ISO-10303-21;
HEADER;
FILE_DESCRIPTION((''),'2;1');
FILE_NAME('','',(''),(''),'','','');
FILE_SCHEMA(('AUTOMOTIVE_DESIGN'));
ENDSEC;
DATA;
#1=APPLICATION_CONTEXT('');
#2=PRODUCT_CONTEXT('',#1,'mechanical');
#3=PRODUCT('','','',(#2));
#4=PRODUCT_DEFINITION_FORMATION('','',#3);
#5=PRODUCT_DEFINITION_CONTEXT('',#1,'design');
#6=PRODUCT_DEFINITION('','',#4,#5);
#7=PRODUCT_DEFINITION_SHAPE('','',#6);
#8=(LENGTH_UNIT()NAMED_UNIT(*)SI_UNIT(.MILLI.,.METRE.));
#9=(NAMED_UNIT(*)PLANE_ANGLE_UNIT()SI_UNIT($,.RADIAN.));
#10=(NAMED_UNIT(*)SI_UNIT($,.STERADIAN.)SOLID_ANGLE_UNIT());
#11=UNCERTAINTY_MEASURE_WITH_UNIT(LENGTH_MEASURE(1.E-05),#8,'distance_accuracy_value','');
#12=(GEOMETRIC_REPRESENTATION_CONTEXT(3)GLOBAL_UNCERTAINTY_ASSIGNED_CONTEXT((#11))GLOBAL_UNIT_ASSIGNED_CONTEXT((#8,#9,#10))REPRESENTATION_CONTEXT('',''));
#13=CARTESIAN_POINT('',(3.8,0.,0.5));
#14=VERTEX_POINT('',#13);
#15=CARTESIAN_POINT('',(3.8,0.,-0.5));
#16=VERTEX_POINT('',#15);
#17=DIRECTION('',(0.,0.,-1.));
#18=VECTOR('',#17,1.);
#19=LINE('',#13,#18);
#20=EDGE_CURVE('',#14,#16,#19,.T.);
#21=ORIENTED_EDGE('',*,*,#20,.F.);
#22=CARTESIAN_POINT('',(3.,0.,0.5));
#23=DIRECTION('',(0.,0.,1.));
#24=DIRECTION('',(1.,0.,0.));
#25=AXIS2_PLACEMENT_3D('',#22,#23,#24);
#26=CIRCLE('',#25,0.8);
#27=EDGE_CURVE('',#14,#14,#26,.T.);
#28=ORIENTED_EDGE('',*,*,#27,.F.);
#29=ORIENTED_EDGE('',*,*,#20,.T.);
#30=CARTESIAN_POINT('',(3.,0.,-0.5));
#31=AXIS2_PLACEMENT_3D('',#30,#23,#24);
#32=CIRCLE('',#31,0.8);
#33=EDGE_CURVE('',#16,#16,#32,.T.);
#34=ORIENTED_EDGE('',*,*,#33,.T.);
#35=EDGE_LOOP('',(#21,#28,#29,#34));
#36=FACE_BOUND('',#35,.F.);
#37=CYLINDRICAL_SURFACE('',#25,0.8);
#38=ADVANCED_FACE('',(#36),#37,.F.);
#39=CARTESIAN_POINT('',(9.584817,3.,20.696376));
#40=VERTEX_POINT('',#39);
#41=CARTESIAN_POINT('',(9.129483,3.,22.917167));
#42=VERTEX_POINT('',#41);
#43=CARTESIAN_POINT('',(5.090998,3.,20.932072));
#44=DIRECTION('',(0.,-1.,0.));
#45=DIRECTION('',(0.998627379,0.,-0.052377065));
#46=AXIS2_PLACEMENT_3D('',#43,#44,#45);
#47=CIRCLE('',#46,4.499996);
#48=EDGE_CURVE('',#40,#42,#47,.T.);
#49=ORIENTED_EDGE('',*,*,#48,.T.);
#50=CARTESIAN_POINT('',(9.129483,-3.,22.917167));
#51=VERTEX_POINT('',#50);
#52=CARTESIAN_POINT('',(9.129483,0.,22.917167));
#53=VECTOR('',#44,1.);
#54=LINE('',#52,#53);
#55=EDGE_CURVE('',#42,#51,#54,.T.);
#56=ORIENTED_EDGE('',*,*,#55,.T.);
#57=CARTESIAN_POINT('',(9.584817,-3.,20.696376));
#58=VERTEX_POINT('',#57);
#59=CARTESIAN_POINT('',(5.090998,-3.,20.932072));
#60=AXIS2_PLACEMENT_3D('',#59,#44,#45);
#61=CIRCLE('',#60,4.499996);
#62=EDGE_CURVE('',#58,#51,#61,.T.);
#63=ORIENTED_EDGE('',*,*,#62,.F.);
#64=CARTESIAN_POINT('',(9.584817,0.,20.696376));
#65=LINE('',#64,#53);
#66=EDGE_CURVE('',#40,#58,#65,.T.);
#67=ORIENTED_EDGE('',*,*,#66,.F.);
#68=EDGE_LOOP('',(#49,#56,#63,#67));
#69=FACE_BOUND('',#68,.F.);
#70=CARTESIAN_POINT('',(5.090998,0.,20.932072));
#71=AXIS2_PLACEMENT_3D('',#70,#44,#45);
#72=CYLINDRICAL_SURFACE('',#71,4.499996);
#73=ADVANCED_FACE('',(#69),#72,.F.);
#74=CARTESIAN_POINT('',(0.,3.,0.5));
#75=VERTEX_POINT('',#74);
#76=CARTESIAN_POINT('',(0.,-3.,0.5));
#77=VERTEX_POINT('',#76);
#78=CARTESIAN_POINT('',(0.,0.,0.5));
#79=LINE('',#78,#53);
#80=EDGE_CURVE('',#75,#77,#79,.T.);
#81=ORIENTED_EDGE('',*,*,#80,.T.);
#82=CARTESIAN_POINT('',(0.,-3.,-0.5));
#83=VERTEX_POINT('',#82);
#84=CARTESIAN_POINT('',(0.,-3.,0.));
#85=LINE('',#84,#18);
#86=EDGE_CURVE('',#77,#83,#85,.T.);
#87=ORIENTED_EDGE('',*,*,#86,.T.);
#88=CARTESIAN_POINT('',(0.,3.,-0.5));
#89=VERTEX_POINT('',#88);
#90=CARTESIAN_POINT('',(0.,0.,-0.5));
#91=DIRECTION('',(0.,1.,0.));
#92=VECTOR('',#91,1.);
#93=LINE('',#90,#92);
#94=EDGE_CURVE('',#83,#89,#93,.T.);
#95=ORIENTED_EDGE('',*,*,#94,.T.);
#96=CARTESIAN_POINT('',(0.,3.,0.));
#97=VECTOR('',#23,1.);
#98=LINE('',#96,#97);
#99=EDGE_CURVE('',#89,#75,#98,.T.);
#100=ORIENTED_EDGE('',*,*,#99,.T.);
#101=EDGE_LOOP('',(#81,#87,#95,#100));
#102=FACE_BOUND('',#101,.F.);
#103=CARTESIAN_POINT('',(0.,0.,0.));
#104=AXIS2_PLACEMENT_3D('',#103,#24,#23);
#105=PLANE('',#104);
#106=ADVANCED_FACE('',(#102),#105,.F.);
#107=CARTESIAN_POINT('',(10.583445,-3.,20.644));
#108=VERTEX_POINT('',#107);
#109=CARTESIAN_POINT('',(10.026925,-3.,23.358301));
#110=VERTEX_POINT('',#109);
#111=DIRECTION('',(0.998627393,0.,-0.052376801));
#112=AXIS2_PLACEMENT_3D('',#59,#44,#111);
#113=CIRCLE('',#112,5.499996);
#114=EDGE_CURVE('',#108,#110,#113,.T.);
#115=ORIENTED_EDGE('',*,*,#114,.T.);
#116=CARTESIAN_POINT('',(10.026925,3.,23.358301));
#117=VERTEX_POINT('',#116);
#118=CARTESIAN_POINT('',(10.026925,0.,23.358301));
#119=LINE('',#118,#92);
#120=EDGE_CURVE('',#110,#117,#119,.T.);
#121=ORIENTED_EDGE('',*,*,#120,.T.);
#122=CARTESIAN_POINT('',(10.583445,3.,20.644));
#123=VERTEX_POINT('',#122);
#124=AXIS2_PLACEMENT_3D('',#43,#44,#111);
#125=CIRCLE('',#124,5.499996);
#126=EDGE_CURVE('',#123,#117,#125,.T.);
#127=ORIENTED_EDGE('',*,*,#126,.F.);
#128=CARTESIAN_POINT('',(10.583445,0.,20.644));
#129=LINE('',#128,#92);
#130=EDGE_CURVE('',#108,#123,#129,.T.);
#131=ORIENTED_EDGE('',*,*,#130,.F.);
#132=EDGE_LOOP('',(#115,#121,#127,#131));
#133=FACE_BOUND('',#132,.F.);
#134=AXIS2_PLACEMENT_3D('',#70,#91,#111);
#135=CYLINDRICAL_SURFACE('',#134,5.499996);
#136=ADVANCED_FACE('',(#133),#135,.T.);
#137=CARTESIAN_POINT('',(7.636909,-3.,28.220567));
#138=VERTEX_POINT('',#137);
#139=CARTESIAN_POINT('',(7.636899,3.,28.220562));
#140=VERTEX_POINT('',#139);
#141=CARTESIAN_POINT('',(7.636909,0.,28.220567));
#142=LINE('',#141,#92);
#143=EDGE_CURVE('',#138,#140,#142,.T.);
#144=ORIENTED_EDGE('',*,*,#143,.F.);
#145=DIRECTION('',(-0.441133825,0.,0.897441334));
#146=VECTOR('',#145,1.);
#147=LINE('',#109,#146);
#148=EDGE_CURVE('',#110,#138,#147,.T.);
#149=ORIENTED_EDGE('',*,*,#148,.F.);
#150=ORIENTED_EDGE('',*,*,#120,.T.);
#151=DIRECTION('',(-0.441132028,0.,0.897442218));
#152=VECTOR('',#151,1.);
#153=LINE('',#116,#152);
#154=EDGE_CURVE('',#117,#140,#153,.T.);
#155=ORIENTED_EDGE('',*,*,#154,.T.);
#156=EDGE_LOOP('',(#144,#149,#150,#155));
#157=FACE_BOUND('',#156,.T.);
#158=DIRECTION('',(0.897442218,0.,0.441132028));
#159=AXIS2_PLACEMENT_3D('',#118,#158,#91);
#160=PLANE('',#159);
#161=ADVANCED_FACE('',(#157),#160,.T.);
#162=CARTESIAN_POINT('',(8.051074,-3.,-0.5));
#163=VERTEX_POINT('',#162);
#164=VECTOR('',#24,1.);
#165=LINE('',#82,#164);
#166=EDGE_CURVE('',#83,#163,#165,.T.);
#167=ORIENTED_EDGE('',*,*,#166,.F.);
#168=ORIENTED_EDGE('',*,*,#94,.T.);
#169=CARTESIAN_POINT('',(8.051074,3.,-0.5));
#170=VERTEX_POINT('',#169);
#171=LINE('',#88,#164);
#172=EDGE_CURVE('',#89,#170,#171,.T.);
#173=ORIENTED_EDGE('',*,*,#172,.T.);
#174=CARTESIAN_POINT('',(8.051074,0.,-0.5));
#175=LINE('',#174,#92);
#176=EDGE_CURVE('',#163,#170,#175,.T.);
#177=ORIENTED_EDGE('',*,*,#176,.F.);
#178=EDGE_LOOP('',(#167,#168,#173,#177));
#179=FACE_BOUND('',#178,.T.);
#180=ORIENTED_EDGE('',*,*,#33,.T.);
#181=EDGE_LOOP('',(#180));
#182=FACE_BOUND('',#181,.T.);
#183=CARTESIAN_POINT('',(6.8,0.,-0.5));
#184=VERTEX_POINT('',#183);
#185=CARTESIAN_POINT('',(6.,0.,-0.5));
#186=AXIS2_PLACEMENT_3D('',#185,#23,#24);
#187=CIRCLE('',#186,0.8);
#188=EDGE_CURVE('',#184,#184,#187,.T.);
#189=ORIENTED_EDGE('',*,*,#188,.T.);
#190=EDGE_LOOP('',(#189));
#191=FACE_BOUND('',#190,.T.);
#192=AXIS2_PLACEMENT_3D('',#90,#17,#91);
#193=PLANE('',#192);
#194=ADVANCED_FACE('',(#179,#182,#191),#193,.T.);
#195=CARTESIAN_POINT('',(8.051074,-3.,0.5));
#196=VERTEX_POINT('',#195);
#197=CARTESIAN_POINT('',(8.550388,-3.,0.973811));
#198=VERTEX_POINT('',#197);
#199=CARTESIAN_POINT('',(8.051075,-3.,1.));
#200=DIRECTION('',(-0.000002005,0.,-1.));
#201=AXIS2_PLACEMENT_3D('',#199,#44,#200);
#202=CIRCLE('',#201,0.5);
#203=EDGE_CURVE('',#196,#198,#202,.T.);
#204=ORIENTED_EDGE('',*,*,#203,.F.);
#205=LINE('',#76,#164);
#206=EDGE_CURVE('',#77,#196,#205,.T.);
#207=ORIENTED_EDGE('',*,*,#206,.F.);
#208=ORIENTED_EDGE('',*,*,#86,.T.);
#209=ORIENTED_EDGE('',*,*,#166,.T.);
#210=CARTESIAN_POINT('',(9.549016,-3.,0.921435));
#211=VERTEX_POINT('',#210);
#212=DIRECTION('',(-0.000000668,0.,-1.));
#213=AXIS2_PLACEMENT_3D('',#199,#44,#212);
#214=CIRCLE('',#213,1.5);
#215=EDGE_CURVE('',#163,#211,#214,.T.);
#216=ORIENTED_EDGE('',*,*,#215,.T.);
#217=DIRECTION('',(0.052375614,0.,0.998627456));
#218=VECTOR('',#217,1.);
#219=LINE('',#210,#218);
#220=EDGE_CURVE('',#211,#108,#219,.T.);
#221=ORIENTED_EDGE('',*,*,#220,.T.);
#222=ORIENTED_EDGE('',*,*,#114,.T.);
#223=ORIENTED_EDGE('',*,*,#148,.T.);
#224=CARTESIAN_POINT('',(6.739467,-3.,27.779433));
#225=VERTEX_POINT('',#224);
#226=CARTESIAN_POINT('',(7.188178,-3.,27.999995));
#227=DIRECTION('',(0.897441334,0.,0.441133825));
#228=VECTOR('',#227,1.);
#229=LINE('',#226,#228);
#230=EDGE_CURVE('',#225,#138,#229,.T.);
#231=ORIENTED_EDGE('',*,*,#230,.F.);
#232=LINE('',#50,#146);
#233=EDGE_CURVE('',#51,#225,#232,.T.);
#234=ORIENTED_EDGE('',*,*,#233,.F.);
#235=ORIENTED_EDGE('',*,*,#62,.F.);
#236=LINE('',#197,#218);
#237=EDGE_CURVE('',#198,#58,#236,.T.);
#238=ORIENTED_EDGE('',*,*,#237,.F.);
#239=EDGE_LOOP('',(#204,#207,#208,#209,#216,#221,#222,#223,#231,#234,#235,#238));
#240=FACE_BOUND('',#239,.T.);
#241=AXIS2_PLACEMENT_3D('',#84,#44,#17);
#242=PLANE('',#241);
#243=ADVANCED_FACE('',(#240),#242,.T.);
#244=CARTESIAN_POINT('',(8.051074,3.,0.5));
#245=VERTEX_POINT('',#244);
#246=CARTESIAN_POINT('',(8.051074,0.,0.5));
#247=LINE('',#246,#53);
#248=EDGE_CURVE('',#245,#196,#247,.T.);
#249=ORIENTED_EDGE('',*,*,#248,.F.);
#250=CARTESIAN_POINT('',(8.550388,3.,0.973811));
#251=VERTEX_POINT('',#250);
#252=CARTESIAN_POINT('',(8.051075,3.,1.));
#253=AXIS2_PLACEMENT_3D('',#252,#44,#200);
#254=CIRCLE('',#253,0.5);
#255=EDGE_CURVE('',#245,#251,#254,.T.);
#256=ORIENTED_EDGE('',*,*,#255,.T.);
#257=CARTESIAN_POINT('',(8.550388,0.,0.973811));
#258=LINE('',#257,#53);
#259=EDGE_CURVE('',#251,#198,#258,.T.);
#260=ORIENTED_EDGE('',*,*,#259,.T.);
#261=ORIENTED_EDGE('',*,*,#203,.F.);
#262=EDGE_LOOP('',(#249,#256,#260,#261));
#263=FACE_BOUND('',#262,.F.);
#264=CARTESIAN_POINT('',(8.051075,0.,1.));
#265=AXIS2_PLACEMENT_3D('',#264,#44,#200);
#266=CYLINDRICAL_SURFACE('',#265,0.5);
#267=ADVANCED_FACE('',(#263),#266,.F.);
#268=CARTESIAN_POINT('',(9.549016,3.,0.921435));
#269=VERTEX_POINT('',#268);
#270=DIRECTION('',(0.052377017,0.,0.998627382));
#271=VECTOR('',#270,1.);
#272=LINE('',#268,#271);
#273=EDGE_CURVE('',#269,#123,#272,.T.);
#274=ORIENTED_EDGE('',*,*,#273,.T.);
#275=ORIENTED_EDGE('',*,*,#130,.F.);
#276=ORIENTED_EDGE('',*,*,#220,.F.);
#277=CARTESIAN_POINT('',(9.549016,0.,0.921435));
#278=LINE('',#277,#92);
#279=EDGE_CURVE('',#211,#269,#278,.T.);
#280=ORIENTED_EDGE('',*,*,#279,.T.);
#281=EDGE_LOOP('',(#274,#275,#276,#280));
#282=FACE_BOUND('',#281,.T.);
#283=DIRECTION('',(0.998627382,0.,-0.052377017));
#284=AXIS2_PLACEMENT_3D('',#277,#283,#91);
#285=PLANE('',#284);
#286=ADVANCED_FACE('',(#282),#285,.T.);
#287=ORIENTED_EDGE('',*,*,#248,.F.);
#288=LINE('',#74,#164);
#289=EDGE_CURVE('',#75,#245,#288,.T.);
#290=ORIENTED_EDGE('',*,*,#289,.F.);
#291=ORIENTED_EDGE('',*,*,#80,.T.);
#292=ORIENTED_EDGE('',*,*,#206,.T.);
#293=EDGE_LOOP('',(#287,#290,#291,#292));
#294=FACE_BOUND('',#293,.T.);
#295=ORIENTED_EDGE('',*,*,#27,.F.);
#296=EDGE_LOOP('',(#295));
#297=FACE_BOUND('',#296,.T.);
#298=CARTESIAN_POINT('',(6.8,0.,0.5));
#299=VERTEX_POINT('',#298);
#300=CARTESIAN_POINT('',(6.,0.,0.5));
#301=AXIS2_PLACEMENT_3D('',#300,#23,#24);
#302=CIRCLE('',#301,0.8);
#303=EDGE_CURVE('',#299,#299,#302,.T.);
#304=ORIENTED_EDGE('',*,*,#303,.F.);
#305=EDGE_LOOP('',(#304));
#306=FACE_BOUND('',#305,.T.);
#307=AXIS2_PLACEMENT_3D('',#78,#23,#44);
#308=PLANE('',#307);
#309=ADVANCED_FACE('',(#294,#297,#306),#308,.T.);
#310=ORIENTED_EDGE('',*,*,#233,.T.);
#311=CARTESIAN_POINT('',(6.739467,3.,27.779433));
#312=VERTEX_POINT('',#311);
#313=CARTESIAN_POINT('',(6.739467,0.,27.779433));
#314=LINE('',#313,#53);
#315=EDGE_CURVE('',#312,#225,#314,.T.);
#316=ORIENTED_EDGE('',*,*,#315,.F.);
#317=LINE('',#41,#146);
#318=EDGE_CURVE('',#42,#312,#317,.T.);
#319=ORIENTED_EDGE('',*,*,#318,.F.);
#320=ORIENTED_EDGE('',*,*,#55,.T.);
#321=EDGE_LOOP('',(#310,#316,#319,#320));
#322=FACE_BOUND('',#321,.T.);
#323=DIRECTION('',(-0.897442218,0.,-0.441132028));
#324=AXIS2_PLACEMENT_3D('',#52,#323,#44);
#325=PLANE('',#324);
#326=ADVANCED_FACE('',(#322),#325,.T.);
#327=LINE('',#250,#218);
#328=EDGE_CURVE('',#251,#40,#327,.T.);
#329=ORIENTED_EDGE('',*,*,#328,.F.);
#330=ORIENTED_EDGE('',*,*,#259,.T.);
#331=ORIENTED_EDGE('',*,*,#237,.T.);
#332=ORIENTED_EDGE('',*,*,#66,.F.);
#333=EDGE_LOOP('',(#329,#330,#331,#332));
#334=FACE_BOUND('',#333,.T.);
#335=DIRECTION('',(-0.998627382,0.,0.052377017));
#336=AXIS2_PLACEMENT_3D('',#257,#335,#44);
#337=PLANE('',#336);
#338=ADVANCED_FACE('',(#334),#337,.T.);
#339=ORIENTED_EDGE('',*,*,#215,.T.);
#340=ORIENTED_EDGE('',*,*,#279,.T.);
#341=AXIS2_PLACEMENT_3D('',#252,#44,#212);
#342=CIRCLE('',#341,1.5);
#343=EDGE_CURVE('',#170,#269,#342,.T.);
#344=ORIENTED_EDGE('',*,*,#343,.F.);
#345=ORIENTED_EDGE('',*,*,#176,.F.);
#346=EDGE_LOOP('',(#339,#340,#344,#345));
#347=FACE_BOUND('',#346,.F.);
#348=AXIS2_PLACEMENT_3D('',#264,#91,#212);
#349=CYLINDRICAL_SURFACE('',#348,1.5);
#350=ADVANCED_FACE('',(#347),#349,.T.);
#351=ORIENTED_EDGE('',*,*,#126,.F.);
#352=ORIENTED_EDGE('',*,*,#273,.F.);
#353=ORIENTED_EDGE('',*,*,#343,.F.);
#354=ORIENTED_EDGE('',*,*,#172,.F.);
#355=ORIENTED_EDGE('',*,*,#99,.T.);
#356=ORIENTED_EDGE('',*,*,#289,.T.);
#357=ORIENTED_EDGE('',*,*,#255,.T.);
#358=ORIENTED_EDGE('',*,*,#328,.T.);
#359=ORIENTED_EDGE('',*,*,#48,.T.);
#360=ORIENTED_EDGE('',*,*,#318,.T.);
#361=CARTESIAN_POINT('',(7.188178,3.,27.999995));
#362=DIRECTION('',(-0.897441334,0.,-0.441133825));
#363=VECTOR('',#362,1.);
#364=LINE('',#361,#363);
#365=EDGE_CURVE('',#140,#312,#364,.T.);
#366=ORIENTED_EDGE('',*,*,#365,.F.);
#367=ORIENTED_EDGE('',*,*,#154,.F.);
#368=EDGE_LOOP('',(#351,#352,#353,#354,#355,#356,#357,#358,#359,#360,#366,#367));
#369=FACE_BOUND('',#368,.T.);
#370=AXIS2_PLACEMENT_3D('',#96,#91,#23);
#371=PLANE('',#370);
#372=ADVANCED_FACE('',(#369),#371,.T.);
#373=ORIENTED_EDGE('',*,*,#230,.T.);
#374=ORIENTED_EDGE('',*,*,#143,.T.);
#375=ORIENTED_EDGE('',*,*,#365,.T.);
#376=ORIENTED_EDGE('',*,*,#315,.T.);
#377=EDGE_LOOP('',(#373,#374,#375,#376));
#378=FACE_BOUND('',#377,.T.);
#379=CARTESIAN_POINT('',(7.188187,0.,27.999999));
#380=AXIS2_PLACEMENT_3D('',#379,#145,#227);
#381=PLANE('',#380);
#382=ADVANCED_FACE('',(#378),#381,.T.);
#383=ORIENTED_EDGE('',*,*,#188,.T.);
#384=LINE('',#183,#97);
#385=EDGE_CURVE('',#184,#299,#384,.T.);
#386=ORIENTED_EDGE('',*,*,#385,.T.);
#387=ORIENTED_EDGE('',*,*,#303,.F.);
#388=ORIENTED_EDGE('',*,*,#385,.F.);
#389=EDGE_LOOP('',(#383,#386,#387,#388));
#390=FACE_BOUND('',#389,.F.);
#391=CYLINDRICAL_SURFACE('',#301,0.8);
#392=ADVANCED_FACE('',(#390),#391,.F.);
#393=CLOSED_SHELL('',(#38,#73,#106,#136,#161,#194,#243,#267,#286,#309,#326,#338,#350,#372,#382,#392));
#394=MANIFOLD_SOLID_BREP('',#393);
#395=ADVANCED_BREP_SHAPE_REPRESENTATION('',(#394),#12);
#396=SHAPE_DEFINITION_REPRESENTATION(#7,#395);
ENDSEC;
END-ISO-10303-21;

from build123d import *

# Parameters (mm, degrees)
F0_W     = 6
F0_H     = 1
F3_R     = 0.8
F4_DEPTH = 1


with BuildPart() as f2:
    # F2: sweep along a path in F1
    with BuildLine(Plane.XZ) as f2_path:
        Line((0, 0), (8.051074, 0))
        ThreePointArc((8.051074, 0), (8.739414, 0.274611), (9.049702, 0.947623))
        Line((9.049702, 0.947623), (10.084131, 20.670188))
        ThreePointArc((10.084131, 20.670188), (9.9891, 21.936342), (9.578204, 23.137734))
        Line((9.578204, 23.137734), (7.188188, 28))
    # F0 (on Right) → F2 (sweep)
    with BuildSketch(Plane.YZ):
        Rectangle(F0_W, F0_H)
    sweep(path=f2_path.line)

    # F3 (on face) → F4 (cut, symmetric)
    with BuildSketch(Plane.XY.offset(0.5)):
        with Locations((3, 0)):
            Circle(F3_R)
        with Locations((6, 0)):
            Circle(F3_R)
    extrude(amount=F4_DEPTH, both=True, mode=Mode.SUBTRACT)


solid = f2.part
